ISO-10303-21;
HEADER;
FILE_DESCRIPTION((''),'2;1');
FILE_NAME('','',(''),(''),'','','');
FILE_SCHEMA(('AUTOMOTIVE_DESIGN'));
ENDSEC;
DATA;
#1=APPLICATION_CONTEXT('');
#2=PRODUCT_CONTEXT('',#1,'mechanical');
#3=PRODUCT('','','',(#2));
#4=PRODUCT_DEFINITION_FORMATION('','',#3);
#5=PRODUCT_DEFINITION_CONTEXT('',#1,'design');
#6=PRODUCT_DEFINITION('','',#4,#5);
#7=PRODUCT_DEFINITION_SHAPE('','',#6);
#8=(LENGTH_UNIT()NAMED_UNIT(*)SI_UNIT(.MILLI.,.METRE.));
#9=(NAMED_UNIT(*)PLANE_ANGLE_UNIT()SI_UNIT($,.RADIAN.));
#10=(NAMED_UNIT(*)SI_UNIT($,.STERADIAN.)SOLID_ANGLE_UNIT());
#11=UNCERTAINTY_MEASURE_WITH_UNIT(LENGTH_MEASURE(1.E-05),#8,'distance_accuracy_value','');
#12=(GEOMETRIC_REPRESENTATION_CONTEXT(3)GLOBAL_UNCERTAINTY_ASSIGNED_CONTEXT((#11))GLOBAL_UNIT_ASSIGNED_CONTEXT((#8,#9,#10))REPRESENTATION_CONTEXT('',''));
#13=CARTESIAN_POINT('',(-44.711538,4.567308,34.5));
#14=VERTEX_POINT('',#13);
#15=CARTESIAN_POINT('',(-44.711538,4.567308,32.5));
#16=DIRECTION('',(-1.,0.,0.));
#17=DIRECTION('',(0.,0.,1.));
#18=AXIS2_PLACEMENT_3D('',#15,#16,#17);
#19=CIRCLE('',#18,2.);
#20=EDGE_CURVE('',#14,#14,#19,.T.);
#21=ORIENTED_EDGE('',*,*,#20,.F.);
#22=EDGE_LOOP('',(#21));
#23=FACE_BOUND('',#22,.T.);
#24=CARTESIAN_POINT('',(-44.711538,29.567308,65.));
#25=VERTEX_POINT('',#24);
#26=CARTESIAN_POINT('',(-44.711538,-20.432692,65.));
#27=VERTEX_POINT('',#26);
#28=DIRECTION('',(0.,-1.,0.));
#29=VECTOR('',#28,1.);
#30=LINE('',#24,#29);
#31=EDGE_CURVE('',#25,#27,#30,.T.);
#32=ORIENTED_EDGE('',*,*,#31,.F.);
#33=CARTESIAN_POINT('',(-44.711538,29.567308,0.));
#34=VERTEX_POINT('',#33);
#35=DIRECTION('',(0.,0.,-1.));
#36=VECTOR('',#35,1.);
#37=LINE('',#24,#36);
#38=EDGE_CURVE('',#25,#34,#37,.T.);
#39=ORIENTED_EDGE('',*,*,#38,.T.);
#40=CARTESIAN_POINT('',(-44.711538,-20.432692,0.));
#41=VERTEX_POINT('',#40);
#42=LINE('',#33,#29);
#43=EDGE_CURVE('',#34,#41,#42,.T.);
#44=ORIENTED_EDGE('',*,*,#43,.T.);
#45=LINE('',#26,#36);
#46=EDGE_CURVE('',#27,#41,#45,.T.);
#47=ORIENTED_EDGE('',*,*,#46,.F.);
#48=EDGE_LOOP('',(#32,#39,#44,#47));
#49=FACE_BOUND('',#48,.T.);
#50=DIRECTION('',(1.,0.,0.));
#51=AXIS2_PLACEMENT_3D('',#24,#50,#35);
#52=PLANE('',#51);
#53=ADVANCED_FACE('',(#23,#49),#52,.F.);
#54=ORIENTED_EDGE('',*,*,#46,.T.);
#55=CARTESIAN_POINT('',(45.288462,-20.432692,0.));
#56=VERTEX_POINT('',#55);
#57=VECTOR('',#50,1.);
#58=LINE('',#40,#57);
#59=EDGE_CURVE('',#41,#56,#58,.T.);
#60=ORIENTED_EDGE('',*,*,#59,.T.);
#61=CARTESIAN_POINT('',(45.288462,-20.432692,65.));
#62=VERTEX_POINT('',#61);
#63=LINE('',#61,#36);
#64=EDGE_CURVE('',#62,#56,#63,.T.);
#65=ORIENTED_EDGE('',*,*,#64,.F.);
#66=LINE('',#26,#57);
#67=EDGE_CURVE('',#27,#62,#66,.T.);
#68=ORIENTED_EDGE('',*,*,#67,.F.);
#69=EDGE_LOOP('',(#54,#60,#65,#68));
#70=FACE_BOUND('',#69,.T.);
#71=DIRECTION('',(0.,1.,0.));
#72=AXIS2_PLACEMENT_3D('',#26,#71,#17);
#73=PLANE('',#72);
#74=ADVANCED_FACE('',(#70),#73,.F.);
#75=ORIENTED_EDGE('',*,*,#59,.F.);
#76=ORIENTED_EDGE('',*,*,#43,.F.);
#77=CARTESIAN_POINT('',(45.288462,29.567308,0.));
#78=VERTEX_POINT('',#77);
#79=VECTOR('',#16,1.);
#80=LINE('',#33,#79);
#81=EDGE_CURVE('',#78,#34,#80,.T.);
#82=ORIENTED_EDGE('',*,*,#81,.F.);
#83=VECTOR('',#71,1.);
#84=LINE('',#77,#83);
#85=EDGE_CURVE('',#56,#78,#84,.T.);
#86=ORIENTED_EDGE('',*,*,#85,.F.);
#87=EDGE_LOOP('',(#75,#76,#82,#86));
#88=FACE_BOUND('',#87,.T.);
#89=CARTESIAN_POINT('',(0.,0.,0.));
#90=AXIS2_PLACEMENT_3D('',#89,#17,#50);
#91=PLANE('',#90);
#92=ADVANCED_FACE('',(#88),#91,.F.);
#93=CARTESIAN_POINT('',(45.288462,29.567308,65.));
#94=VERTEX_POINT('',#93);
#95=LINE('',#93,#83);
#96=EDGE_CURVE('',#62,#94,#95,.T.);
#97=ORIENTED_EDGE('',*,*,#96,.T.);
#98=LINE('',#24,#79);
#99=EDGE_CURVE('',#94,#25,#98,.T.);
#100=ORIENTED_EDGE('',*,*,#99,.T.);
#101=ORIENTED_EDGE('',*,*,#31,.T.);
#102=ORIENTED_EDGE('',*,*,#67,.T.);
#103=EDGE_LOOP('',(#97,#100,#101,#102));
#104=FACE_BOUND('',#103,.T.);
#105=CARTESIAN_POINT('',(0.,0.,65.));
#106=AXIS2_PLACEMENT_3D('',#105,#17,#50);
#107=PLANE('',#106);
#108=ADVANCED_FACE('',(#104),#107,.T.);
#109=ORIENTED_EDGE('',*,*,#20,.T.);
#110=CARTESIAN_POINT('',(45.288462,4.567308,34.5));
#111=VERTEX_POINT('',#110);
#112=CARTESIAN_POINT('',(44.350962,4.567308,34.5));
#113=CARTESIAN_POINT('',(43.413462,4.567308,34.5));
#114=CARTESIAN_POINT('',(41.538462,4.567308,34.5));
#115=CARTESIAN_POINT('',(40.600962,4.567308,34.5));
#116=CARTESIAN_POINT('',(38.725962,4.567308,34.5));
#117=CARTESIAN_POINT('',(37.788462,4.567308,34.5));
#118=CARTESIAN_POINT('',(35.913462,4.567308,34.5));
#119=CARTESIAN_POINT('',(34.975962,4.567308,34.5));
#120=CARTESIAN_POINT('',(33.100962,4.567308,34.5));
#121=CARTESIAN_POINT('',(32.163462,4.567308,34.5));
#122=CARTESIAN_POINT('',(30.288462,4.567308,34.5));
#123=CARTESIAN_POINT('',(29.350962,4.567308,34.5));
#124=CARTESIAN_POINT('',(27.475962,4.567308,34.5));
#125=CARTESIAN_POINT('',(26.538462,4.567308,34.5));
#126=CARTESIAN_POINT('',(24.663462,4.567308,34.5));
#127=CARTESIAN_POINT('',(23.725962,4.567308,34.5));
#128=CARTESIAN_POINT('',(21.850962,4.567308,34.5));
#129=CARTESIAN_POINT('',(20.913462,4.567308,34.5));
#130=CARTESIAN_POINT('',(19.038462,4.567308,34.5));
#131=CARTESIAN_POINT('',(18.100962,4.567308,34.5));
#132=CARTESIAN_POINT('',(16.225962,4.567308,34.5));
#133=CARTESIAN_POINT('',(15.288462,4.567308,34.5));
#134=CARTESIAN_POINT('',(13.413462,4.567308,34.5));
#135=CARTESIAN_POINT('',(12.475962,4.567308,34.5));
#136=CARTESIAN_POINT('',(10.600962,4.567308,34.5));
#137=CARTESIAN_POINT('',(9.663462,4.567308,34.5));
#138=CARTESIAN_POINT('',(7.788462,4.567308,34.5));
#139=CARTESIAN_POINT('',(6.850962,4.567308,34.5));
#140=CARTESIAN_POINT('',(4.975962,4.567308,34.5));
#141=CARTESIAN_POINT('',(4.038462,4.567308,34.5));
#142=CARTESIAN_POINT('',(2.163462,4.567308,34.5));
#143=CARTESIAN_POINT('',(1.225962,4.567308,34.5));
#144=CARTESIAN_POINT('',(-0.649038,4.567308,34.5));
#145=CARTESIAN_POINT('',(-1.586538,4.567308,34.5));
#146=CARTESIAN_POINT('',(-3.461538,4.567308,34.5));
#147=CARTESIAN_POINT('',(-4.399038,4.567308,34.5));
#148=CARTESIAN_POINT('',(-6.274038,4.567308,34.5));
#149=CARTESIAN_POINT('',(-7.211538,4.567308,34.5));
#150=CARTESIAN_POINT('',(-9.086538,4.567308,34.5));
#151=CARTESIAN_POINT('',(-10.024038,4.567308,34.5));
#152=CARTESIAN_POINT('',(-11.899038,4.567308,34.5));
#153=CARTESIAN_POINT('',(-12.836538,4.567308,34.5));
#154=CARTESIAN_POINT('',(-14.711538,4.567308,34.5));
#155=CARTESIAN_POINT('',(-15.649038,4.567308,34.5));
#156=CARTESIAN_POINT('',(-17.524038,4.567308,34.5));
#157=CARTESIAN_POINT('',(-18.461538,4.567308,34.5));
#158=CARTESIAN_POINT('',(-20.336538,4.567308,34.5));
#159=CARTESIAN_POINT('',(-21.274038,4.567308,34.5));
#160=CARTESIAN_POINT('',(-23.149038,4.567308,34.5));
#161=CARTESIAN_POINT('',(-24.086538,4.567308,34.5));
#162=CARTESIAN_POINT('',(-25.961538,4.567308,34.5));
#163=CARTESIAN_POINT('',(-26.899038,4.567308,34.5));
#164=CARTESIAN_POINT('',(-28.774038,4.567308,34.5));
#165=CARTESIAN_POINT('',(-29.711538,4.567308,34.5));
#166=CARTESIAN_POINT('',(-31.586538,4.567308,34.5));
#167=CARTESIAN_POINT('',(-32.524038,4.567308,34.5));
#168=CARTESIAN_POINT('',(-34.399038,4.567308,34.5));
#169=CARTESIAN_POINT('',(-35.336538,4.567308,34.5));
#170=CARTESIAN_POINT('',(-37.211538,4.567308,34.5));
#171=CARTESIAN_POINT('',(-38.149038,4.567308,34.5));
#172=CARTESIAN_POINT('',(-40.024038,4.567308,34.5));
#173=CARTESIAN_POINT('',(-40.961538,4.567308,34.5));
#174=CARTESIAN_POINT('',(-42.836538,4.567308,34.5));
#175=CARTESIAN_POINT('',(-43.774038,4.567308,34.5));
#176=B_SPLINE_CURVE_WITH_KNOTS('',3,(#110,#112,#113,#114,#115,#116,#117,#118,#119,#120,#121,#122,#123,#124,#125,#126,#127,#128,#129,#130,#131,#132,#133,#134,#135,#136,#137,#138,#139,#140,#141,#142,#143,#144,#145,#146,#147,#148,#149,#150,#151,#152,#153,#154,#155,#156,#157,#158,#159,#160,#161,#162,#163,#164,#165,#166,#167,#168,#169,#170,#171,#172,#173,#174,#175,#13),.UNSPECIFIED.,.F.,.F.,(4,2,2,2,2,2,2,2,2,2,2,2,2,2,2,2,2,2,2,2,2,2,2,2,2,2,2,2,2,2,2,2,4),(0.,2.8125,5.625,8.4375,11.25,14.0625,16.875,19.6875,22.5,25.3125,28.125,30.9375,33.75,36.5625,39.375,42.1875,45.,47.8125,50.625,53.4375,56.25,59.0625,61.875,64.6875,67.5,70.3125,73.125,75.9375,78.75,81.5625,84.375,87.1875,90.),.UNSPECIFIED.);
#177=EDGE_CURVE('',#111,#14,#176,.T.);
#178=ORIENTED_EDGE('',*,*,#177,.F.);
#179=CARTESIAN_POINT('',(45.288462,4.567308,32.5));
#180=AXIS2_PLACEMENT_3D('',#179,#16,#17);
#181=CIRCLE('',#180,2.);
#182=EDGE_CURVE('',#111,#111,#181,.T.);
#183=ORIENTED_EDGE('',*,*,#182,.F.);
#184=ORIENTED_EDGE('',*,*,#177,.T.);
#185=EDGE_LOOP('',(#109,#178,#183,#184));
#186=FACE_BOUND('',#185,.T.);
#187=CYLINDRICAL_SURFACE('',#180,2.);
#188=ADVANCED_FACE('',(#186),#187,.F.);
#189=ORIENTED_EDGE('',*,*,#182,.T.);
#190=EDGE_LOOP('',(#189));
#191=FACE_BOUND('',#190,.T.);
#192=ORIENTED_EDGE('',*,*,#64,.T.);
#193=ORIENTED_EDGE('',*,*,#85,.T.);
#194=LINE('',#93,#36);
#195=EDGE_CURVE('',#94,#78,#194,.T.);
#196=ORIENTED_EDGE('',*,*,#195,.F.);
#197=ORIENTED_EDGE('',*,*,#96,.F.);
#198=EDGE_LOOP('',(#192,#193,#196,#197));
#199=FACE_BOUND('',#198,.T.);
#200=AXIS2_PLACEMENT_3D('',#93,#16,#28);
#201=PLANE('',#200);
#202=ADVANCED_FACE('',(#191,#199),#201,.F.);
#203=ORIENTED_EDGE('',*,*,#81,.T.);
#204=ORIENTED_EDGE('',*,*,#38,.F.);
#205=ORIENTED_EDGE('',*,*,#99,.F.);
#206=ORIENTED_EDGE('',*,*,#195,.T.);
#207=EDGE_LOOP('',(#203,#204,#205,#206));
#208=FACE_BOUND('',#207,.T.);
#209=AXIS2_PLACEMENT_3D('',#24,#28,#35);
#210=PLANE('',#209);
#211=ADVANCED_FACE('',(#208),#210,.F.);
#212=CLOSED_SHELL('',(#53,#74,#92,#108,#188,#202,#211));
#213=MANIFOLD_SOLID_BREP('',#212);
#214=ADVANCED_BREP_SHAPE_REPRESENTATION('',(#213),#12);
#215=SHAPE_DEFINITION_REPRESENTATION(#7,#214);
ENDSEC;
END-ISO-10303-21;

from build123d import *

# Parameters (mm, degrees)
SKETCH_1_W          = 90
SKETCH_1_H          = 50
EXTRUDE_1_DEPTH     = 65
SKETCH_2_R          = 2
CUT_EXTRUDE_1_DEPTH = 115.887883104


with BuildPart() as part:
    # 草图1 → 凸台-拉伸1 (new body)
    with BuildSketch(Plane.XY):
        with Locations((0.288461538, 4.567307692)):
            Rectangle(SKETCH_1_W, SKETCH_1_H)
    extrude(amount=EXTRUDE_1_DEPTH)

    # 草图2 → 切除-拉伸1 (cut, through all)
    with BuildSketch(Plane.ZY.offset(44.711538462)):
        with Locations((32.5, 4.567307692)):
            Circle(SKETCH_2_R)
    extrude(amount=-CUT_EXTRUDE_1_DEPTH, mode=Mode.SUBTRACT)


solid = part.part
